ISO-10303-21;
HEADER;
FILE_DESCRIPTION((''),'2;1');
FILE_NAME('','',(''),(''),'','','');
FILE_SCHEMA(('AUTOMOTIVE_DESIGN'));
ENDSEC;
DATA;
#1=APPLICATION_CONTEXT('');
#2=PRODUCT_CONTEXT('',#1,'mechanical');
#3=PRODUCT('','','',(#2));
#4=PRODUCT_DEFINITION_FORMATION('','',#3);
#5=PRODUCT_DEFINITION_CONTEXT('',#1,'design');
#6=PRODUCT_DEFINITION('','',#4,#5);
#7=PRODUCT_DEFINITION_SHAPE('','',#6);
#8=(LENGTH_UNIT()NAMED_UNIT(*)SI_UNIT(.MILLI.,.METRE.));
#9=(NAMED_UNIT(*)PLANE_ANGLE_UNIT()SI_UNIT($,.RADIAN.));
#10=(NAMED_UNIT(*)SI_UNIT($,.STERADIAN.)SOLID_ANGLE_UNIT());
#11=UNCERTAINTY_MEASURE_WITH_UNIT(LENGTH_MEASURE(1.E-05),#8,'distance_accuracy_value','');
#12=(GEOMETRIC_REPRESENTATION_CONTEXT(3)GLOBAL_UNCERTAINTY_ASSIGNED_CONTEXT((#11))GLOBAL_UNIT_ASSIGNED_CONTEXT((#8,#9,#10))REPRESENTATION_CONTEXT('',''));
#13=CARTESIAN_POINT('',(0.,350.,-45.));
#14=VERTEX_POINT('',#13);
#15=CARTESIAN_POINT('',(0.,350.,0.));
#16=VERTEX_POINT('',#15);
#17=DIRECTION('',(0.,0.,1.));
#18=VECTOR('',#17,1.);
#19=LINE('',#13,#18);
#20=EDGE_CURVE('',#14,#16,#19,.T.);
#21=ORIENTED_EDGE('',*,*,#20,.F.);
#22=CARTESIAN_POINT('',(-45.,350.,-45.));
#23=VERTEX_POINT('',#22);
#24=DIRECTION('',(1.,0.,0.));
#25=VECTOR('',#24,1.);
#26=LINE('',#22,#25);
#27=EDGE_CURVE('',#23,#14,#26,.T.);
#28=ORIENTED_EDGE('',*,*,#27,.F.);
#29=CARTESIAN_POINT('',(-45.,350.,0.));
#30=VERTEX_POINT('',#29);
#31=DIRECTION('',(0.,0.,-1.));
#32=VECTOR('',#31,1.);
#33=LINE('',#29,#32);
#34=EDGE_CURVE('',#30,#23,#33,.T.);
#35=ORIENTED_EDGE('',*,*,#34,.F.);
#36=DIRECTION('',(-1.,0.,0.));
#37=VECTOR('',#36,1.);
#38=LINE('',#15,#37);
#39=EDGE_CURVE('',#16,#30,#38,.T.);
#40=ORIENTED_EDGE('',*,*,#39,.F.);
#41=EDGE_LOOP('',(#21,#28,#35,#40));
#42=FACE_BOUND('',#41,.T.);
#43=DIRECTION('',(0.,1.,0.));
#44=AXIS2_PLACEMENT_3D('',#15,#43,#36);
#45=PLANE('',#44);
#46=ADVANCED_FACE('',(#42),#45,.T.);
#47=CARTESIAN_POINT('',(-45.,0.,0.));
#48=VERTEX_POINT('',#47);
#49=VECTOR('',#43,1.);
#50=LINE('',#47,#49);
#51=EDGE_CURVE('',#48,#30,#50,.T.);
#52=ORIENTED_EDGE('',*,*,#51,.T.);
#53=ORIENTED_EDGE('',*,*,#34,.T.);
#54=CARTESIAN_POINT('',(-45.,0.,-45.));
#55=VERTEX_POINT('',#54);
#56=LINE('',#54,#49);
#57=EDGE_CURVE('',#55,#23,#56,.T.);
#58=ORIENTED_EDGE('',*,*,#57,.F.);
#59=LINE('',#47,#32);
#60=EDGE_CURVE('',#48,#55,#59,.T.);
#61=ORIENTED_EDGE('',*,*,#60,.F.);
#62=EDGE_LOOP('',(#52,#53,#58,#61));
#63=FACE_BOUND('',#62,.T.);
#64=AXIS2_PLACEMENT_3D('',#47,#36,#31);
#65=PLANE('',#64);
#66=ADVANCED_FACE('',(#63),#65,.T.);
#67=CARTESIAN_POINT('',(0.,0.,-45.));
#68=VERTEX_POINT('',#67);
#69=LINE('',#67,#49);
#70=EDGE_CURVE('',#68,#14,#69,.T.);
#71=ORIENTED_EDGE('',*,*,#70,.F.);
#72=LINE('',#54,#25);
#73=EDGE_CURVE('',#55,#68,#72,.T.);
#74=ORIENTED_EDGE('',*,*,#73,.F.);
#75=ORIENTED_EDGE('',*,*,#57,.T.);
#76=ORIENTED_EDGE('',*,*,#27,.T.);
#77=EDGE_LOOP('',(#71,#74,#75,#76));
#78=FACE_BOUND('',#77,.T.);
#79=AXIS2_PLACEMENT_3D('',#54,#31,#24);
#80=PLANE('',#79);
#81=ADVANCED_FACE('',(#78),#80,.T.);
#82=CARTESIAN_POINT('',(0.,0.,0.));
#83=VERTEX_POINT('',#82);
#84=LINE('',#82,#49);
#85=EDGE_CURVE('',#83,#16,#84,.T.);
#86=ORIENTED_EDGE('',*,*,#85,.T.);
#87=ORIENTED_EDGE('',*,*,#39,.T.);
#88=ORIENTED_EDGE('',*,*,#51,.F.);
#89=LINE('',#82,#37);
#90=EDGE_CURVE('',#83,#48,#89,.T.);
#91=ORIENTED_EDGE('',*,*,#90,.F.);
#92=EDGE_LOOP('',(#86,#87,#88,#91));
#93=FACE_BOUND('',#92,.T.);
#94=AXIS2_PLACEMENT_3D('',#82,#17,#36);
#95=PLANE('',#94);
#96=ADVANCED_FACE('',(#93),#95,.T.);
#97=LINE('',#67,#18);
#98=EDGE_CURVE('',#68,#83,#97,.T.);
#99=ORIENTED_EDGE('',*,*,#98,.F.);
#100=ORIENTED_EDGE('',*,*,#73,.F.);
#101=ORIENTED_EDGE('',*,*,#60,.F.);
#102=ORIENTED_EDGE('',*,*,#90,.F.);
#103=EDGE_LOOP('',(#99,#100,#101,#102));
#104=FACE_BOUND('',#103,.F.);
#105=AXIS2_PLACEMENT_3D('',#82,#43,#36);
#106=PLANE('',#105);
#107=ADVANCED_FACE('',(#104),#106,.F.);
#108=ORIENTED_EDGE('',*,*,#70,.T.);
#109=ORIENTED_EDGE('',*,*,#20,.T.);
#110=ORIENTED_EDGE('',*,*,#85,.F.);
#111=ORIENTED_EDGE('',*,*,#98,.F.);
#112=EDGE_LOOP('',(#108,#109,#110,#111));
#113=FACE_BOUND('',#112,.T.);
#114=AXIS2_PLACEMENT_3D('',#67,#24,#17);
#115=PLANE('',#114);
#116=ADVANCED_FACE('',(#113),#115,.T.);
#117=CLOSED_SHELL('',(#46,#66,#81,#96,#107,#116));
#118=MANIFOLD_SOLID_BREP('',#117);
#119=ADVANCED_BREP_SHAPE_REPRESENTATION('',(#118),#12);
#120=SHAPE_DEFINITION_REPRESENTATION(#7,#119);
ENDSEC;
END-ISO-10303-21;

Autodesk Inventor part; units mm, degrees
ref_plane "YZ Plane" through (0, 0, 0) normal (1, 0, 0) x (0, 1, 0)
ref_plane "XZ Plane" through (0, 0, 0) normal (0, 1, 0) x (-1, 0, 0)
ref_plane "XY Plane" through (0, 0, 0) normal (0, 0, 1) x (1, 0, 0)
sketch "Sketch1" plane through (0, 0, 0) normal (0, 1, 0) x (-1, 0, 0)
  line L0 (0, 0) -> (45, 0)
  line L1 (45, 0) -> (45, -45)
  line L2 (45, -45) -> (0, -45)
  line L3 (0, -45) -> (0, 0)
  dimension "d0" = 45
  dimension "d1" = 45
extrude "Extrusion1" add sketch "Sketch1" along normal blind 350
properties part number "shelfBeam"
